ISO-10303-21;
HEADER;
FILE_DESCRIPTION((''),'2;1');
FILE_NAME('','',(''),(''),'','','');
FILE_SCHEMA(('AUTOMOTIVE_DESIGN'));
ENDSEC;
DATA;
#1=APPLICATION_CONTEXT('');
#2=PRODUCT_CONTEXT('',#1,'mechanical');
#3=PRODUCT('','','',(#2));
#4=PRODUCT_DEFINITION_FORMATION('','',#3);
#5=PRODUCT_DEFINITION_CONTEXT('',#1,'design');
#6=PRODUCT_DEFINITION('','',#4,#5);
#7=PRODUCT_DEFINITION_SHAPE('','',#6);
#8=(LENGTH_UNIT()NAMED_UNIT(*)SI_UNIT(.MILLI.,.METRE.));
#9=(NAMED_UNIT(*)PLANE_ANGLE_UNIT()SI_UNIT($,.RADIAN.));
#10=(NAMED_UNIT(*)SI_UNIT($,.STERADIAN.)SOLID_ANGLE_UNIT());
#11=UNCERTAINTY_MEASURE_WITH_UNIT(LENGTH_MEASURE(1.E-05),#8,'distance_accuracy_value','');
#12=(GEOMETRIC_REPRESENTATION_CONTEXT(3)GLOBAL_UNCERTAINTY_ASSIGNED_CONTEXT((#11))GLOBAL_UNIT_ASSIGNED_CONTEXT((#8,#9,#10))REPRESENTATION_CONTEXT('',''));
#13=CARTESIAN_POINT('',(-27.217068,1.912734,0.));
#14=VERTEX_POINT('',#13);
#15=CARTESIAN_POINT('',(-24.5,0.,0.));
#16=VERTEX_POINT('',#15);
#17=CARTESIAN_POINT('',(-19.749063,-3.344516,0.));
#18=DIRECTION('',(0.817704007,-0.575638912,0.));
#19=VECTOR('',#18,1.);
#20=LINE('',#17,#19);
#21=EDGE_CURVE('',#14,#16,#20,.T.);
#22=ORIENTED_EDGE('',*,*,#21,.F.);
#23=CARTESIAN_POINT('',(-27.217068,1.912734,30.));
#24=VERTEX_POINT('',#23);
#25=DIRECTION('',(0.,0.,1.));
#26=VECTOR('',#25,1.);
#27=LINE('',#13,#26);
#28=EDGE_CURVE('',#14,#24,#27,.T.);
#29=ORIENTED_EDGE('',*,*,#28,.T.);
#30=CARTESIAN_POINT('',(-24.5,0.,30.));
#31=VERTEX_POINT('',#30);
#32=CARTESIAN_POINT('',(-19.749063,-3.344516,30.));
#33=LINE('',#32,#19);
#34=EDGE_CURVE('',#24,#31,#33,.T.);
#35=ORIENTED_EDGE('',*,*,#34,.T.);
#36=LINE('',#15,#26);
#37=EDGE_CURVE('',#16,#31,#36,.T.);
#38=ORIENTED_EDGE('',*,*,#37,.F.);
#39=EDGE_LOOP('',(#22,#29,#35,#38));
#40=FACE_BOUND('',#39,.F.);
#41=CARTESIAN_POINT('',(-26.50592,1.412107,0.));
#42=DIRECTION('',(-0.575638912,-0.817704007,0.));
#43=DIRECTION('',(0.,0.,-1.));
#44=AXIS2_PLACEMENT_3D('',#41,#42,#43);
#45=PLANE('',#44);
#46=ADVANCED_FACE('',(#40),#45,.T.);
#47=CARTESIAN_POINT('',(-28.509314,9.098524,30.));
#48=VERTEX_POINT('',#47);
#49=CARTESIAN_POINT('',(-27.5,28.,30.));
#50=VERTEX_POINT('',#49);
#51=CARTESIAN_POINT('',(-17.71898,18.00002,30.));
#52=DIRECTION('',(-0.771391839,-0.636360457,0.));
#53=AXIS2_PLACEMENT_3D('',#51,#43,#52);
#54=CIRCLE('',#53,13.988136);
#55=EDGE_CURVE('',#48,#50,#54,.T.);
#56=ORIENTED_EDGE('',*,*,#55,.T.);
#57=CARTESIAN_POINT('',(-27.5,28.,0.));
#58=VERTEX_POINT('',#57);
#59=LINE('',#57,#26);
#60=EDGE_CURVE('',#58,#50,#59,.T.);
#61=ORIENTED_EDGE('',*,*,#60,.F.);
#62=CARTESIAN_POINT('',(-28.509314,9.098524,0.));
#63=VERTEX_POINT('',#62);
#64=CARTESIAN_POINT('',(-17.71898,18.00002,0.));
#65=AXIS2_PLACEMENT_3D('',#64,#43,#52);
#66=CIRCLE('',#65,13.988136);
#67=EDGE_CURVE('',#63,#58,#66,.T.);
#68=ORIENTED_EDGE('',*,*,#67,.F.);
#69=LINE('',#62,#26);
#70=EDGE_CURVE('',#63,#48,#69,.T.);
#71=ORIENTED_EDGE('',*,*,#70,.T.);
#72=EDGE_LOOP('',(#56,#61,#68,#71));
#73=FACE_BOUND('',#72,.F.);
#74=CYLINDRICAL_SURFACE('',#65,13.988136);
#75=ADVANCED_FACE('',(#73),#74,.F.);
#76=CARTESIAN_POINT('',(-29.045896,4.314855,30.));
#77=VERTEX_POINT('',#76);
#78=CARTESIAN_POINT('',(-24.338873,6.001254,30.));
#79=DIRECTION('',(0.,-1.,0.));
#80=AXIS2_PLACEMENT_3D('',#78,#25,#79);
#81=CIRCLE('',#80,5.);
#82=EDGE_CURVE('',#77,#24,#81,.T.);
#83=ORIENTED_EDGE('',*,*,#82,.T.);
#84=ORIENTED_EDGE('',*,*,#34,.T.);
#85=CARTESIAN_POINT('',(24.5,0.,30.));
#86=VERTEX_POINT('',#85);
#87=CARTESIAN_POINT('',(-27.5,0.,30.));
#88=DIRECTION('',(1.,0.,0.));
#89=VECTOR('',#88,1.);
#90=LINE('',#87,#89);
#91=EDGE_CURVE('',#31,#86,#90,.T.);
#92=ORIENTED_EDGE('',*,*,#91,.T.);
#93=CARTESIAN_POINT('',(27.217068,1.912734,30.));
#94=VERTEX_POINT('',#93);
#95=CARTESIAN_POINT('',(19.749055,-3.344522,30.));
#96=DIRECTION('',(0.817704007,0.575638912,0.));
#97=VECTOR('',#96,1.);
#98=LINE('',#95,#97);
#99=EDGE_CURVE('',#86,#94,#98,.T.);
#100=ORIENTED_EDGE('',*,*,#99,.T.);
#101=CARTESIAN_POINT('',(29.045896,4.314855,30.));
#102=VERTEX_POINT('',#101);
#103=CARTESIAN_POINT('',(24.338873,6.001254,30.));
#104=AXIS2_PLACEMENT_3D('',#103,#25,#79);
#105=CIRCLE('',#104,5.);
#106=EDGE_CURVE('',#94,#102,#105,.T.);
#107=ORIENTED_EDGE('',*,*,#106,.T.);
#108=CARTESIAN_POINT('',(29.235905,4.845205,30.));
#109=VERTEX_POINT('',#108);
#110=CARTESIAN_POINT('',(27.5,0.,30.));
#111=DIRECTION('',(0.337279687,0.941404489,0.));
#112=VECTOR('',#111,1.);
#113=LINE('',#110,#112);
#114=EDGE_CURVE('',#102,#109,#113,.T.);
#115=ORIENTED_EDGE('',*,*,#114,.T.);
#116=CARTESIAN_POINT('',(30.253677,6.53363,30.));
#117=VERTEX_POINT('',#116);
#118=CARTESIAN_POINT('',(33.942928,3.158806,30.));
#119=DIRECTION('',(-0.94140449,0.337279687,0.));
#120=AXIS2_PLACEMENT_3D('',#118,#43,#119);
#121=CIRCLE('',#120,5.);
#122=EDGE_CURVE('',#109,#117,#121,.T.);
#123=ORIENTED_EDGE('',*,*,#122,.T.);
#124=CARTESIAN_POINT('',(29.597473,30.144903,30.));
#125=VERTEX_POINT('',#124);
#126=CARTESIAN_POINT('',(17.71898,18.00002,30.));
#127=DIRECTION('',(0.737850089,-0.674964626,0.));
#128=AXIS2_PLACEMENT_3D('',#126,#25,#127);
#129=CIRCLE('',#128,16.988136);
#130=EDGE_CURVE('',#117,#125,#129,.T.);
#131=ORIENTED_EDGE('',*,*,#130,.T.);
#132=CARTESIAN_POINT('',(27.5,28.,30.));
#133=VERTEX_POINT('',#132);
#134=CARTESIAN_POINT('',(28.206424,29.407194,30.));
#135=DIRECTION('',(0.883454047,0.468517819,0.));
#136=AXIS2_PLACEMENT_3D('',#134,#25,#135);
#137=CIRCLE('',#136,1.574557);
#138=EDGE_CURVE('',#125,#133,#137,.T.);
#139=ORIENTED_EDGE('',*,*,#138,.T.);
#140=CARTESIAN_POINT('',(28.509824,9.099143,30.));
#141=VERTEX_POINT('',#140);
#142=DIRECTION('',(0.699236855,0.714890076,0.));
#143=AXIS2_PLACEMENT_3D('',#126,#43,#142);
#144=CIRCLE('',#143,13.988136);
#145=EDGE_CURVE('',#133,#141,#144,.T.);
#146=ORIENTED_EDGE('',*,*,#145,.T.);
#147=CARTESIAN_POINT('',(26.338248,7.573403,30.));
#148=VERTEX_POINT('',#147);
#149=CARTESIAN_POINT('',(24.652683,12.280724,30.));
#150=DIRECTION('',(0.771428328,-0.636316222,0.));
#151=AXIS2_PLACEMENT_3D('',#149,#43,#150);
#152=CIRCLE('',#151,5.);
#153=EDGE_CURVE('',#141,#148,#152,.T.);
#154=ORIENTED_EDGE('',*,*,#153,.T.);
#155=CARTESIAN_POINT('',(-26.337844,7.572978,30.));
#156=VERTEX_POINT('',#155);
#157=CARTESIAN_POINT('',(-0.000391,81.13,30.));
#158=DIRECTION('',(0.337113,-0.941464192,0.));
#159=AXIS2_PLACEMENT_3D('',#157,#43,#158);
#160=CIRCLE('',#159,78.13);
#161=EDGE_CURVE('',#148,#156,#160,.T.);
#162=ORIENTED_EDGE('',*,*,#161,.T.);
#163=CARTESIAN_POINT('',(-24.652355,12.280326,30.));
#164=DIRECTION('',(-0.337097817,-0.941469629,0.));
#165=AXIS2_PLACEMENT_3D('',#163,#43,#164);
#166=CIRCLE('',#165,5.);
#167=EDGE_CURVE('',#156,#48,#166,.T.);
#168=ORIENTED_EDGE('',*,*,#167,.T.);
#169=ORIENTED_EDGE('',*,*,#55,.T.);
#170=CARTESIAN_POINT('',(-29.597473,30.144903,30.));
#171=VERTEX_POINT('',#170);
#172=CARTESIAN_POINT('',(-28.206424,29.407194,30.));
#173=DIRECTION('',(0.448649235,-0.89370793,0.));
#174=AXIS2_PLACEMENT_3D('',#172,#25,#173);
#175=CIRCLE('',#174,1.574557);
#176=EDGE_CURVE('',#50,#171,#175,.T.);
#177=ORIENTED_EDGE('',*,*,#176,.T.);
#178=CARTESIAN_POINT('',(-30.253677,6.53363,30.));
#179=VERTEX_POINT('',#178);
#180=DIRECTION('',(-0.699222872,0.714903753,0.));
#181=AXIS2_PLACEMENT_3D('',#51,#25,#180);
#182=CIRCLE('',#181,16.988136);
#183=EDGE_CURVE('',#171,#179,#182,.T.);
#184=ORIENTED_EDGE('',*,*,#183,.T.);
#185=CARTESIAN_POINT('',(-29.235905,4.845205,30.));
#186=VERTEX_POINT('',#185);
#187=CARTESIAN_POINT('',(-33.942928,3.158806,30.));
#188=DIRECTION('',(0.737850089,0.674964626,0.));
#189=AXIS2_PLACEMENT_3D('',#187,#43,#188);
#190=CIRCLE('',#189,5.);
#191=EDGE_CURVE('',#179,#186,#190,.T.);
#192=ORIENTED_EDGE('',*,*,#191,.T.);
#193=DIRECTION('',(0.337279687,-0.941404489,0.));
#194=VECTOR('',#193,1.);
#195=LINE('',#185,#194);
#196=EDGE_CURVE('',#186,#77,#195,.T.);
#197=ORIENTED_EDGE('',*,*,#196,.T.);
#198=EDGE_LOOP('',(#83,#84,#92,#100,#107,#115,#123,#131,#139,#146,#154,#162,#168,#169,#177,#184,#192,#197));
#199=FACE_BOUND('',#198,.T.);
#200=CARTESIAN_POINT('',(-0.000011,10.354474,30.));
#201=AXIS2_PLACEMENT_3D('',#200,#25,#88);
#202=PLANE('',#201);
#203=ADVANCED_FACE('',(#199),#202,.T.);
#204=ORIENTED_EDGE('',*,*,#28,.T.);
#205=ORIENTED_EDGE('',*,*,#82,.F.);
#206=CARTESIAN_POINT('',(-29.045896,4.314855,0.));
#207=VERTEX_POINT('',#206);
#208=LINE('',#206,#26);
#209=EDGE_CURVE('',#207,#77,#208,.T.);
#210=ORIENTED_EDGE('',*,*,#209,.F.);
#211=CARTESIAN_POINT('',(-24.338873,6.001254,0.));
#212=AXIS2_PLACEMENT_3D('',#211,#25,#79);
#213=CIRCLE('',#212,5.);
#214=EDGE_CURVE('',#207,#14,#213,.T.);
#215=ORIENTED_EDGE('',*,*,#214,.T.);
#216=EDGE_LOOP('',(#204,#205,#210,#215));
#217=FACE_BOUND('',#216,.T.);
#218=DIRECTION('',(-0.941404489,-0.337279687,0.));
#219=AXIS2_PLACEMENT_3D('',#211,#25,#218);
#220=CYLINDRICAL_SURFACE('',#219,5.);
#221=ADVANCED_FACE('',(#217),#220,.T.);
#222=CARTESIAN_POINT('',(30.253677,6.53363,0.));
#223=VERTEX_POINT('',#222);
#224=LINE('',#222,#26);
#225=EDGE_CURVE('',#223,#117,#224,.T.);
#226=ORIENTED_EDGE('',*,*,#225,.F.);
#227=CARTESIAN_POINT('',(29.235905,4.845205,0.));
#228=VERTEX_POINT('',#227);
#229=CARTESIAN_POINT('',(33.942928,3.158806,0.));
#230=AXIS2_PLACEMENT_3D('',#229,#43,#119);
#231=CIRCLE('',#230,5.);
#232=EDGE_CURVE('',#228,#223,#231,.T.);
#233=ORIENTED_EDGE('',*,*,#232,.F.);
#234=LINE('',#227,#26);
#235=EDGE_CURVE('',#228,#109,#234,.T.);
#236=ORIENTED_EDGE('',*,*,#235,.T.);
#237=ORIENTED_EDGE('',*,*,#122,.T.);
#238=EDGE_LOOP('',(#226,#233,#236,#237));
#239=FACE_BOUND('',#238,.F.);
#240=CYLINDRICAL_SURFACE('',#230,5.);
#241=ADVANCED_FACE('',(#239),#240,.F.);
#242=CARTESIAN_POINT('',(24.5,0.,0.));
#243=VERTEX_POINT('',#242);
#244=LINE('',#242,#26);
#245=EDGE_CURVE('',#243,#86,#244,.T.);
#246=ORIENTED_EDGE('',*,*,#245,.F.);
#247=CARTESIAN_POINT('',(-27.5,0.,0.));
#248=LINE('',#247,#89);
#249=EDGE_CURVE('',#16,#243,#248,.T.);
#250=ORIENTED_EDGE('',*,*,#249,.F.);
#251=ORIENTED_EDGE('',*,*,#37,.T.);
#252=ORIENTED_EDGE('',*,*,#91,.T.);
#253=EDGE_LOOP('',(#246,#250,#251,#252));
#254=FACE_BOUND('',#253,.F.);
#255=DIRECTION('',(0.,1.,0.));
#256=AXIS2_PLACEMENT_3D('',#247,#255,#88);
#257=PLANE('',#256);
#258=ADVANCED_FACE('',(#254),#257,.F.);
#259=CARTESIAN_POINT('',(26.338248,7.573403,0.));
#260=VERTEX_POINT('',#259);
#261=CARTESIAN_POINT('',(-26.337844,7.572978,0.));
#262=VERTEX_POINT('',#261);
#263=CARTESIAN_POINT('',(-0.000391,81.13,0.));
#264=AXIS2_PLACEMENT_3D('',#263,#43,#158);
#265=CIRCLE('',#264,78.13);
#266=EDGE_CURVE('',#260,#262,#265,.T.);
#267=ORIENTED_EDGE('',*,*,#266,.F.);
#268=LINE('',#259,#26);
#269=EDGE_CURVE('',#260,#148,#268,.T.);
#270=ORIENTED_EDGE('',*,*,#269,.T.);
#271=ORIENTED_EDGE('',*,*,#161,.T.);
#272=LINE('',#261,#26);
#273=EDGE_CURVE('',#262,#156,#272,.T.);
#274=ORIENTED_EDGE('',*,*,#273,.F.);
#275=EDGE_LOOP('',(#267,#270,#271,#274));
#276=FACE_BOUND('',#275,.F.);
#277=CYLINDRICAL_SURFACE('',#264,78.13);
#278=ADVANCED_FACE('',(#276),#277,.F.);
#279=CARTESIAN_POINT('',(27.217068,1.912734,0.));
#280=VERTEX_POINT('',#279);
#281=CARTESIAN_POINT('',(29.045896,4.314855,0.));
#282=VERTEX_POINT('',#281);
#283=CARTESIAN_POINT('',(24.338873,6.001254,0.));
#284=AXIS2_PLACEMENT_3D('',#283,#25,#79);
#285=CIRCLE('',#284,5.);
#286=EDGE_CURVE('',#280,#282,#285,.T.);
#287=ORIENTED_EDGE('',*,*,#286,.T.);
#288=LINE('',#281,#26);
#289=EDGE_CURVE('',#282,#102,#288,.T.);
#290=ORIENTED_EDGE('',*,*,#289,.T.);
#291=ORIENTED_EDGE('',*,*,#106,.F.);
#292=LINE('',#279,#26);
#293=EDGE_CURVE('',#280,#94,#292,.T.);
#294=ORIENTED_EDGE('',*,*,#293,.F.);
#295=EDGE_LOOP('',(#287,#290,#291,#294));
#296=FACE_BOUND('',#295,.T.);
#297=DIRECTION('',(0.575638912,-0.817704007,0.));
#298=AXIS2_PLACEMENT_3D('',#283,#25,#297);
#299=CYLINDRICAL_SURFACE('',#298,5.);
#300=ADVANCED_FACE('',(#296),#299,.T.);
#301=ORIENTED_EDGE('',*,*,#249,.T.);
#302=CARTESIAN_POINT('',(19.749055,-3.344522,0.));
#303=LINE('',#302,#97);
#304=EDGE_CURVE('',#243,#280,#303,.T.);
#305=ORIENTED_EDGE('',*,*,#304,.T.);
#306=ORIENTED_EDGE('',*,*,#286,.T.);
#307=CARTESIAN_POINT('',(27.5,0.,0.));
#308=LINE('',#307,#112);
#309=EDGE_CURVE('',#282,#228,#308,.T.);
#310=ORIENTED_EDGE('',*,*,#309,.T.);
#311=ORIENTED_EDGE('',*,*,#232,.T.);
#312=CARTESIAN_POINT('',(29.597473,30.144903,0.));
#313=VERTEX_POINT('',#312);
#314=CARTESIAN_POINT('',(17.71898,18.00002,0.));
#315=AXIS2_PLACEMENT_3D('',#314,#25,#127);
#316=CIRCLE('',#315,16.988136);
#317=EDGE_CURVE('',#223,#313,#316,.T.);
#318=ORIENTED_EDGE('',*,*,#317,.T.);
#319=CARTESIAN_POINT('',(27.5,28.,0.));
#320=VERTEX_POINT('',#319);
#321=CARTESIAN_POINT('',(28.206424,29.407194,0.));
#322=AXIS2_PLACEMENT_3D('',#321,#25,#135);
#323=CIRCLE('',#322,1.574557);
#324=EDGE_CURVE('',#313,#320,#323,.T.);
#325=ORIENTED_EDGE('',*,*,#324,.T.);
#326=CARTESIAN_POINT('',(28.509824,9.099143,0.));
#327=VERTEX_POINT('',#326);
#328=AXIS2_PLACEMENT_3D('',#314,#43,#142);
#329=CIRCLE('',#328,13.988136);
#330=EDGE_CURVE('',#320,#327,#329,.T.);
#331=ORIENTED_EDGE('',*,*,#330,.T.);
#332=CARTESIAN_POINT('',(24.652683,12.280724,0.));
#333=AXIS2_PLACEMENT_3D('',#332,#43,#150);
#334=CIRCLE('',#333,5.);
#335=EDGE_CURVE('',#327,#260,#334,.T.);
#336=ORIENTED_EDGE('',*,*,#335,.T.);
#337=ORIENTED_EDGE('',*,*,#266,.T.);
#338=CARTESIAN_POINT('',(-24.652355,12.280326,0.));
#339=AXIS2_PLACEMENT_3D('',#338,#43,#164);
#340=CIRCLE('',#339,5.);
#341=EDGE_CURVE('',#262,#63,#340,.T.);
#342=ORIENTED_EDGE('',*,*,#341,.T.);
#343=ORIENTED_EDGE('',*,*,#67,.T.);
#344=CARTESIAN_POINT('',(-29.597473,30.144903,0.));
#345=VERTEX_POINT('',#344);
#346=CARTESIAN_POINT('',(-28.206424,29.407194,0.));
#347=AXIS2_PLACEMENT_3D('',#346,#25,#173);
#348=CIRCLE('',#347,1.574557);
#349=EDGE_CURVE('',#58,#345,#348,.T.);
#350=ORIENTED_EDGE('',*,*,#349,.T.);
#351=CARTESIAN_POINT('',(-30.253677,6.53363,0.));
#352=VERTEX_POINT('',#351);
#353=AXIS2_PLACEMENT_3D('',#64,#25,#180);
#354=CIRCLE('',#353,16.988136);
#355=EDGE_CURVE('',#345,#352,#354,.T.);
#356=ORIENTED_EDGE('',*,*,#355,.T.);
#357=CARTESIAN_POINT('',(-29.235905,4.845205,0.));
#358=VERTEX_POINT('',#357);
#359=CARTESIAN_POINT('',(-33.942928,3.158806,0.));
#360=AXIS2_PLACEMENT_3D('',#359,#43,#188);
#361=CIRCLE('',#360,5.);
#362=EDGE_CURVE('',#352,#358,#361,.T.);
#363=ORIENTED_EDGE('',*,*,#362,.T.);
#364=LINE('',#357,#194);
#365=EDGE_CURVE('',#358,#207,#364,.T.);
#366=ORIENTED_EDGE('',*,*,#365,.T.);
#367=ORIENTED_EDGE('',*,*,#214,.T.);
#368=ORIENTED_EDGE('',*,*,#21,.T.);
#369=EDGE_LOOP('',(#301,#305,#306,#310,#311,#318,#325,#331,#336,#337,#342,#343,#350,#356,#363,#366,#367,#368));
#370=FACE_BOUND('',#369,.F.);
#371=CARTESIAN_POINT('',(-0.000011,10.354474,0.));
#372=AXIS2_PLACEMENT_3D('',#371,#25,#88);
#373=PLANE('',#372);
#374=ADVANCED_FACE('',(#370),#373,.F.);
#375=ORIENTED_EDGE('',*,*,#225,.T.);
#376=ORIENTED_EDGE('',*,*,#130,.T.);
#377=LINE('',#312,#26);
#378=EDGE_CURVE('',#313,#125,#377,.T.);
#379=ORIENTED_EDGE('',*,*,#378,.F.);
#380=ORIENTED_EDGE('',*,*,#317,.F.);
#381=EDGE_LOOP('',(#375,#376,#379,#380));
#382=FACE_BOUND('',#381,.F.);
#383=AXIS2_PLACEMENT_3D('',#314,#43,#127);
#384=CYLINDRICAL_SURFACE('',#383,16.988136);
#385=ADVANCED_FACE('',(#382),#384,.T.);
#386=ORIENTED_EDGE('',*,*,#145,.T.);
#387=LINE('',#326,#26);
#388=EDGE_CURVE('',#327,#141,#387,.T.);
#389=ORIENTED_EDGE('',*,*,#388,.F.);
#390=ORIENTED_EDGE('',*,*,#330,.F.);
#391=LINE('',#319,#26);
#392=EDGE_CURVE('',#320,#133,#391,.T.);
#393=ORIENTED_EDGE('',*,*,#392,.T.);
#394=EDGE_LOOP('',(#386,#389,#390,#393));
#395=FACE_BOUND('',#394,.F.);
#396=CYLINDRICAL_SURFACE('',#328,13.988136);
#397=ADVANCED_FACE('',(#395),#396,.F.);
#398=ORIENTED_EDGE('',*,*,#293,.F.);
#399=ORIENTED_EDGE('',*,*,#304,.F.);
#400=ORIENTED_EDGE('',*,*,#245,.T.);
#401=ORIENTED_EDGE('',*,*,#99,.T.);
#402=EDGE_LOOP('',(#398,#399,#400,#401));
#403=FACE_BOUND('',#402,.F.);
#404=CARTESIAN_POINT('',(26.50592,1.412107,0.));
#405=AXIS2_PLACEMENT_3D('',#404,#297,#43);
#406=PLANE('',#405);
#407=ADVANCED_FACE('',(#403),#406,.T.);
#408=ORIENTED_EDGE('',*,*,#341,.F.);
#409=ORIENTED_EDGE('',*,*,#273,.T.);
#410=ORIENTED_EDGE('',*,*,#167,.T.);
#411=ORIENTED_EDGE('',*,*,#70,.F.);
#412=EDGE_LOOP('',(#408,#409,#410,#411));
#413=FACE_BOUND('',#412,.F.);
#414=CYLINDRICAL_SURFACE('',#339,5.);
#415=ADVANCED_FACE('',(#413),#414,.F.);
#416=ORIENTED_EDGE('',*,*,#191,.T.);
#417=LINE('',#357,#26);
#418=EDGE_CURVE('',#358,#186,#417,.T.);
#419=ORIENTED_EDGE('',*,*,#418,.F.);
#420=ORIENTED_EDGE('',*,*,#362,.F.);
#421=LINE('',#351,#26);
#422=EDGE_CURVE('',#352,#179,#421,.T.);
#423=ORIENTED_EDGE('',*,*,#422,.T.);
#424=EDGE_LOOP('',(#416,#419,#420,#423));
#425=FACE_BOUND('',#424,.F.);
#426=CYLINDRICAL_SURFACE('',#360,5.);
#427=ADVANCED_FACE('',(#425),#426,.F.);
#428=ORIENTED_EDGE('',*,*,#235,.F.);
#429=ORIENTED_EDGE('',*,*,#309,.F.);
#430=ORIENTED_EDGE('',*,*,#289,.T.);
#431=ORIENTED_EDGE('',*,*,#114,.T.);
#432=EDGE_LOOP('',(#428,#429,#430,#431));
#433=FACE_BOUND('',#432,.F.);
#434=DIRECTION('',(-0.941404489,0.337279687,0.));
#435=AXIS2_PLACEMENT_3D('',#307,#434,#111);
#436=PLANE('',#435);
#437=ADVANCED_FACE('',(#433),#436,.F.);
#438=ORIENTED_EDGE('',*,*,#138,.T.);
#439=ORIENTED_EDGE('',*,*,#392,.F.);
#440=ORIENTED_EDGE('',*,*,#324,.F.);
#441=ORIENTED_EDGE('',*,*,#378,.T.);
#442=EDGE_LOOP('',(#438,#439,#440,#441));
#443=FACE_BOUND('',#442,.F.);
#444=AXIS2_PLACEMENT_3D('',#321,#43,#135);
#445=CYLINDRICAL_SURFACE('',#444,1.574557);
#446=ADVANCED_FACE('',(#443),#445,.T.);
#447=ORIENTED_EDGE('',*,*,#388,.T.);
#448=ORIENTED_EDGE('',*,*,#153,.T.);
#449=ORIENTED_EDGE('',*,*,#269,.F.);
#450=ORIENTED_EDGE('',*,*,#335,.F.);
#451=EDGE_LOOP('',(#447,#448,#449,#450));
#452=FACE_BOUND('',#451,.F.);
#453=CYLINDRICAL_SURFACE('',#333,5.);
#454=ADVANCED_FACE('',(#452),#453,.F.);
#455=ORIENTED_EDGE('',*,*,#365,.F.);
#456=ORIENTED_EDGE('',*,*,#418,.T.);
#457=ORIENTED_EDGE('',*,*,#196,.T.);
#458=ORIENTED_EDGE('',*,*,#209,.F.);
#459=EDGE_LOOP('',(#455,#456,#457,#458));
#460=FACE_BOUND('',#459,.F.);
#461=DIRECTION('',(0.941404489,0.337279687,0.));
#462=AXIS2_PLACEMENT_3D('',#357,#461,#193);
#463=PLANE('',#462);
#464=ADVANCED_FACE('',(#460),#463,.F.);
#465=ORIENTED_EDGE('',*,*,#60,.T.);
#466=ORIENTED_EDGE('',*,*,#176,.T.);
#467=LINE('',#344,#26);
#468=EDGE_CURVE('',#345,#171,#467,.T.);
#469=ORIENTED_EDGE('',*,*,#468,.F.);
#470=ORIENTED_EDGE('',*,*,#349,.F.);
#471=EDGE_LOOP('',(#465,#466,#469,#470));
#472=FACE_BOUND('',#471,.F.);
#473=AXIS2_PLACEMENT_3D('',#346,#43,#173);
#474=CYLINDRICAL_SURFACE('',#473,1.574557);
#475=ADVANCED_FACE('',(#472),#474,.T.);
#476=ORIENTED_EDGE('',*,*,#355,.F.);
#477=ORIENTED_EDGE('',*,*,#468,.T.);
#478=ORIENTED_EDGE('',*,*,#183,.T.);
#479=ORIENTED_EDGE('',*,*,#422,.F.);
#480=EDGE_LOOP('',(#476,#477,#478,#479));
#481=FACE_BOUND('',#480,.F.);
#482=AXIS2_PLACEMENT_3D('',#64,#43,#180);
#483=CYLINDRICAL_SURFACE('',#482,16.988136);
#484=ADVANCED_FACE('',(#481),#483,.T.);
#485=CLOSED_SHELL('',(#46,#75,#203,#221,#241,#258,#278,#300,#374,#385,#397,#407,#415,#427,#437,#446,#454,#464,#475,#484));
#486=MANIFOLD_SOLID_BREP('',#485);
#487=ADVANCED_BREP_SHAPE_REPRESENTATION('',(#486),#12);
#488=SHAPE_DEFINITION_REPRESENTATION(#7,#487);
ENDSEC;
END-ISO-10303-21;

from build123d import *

# Parameters (mm, degrees)
F1_DEPTH = 30
F2_SIZE  = 3
F3_R     = 5


with BuildPart() as f1:
    # F0 (on Top) → F1 (new body)
    with BuildSketch(Plane.XY):
        with BuildLine():
            Line((-29.235905425, 4.8452048085), (-27.5, 0))
            Line((-27.5, 0), (27.5, 0))
            Line((27.5, 0), (29.235905425, 4.8452048085))
            ThreePointArc((29.235905425, 4.8452048085), (29.6607503771, 5.7400765845), (30.2536774297, 6.533629506))
            ThreePointArc((30.2536774297, 6.533629506), (34.7005588033, 18.4719723629), (29.5974730182, 30.1449025686))
            ThreePointArc((29.5974730182, 30.1449025686), (27.0806665873, 30.5080582414), (27.5, 28))
            ThreePointArc((27.5, 28), (31.6871939258, 18.746306096), (28.5098241443, 9.0991425174))
            ThreePointArc((28.5098241443, 9.0991425174), (27.527116318, 8.1895587275), (26.3382475055, 7.5734026682))
            ThreePointArc((26.3382475055, 7.5734026682), (0.0002388204, 3.0000000025), (-26.337843619, 7.5729779002))
            ThreePointArc((-26.337843619, 7.5729779002), (-27.5266380589, 8.1890555536), (-28.5093137303, 9.0985237608))
            ThreePointArc((-28.5093137303, 9.0985237608), (-31.6872153169, 18.7459056114), (-27.5, 28))
            ThreePointArc((-27.5, 28), (-27.0806665873, 30.5080582414), (-29.5974730182, 30.1449025686))
            ThreePointArc((-29.5974730182, 30.1449025686), (-34.7005588033, 18.4719723629), (-30.2536774297, 6.533629506))
            ThreePointArc((-30.2536774297, 6.533629506), (-29.6607503771, 5.7400765845), (-29.235905425, 4.8452048085))
        make_face()
    extrude(amount=F1_DEPTH)

    # F2
    f2_edges = [f1.edges().sort_by_distance(p)[0] for p in [
        (-27.5, 0, 15),
        (27.5, 0, 15),
    ]]
    chamfer(f2_edges, length=F2_SIZE)

    # F3
    f3_edges = [f1.edges().sort_by_distance(p)[0] for p in [
        (-28.511839, 2.824213, 15),
        (28.511839, 2.824213, 15),
    ]]
    fillet(f3_edges, radius=F3_R)


solid = f1.part
